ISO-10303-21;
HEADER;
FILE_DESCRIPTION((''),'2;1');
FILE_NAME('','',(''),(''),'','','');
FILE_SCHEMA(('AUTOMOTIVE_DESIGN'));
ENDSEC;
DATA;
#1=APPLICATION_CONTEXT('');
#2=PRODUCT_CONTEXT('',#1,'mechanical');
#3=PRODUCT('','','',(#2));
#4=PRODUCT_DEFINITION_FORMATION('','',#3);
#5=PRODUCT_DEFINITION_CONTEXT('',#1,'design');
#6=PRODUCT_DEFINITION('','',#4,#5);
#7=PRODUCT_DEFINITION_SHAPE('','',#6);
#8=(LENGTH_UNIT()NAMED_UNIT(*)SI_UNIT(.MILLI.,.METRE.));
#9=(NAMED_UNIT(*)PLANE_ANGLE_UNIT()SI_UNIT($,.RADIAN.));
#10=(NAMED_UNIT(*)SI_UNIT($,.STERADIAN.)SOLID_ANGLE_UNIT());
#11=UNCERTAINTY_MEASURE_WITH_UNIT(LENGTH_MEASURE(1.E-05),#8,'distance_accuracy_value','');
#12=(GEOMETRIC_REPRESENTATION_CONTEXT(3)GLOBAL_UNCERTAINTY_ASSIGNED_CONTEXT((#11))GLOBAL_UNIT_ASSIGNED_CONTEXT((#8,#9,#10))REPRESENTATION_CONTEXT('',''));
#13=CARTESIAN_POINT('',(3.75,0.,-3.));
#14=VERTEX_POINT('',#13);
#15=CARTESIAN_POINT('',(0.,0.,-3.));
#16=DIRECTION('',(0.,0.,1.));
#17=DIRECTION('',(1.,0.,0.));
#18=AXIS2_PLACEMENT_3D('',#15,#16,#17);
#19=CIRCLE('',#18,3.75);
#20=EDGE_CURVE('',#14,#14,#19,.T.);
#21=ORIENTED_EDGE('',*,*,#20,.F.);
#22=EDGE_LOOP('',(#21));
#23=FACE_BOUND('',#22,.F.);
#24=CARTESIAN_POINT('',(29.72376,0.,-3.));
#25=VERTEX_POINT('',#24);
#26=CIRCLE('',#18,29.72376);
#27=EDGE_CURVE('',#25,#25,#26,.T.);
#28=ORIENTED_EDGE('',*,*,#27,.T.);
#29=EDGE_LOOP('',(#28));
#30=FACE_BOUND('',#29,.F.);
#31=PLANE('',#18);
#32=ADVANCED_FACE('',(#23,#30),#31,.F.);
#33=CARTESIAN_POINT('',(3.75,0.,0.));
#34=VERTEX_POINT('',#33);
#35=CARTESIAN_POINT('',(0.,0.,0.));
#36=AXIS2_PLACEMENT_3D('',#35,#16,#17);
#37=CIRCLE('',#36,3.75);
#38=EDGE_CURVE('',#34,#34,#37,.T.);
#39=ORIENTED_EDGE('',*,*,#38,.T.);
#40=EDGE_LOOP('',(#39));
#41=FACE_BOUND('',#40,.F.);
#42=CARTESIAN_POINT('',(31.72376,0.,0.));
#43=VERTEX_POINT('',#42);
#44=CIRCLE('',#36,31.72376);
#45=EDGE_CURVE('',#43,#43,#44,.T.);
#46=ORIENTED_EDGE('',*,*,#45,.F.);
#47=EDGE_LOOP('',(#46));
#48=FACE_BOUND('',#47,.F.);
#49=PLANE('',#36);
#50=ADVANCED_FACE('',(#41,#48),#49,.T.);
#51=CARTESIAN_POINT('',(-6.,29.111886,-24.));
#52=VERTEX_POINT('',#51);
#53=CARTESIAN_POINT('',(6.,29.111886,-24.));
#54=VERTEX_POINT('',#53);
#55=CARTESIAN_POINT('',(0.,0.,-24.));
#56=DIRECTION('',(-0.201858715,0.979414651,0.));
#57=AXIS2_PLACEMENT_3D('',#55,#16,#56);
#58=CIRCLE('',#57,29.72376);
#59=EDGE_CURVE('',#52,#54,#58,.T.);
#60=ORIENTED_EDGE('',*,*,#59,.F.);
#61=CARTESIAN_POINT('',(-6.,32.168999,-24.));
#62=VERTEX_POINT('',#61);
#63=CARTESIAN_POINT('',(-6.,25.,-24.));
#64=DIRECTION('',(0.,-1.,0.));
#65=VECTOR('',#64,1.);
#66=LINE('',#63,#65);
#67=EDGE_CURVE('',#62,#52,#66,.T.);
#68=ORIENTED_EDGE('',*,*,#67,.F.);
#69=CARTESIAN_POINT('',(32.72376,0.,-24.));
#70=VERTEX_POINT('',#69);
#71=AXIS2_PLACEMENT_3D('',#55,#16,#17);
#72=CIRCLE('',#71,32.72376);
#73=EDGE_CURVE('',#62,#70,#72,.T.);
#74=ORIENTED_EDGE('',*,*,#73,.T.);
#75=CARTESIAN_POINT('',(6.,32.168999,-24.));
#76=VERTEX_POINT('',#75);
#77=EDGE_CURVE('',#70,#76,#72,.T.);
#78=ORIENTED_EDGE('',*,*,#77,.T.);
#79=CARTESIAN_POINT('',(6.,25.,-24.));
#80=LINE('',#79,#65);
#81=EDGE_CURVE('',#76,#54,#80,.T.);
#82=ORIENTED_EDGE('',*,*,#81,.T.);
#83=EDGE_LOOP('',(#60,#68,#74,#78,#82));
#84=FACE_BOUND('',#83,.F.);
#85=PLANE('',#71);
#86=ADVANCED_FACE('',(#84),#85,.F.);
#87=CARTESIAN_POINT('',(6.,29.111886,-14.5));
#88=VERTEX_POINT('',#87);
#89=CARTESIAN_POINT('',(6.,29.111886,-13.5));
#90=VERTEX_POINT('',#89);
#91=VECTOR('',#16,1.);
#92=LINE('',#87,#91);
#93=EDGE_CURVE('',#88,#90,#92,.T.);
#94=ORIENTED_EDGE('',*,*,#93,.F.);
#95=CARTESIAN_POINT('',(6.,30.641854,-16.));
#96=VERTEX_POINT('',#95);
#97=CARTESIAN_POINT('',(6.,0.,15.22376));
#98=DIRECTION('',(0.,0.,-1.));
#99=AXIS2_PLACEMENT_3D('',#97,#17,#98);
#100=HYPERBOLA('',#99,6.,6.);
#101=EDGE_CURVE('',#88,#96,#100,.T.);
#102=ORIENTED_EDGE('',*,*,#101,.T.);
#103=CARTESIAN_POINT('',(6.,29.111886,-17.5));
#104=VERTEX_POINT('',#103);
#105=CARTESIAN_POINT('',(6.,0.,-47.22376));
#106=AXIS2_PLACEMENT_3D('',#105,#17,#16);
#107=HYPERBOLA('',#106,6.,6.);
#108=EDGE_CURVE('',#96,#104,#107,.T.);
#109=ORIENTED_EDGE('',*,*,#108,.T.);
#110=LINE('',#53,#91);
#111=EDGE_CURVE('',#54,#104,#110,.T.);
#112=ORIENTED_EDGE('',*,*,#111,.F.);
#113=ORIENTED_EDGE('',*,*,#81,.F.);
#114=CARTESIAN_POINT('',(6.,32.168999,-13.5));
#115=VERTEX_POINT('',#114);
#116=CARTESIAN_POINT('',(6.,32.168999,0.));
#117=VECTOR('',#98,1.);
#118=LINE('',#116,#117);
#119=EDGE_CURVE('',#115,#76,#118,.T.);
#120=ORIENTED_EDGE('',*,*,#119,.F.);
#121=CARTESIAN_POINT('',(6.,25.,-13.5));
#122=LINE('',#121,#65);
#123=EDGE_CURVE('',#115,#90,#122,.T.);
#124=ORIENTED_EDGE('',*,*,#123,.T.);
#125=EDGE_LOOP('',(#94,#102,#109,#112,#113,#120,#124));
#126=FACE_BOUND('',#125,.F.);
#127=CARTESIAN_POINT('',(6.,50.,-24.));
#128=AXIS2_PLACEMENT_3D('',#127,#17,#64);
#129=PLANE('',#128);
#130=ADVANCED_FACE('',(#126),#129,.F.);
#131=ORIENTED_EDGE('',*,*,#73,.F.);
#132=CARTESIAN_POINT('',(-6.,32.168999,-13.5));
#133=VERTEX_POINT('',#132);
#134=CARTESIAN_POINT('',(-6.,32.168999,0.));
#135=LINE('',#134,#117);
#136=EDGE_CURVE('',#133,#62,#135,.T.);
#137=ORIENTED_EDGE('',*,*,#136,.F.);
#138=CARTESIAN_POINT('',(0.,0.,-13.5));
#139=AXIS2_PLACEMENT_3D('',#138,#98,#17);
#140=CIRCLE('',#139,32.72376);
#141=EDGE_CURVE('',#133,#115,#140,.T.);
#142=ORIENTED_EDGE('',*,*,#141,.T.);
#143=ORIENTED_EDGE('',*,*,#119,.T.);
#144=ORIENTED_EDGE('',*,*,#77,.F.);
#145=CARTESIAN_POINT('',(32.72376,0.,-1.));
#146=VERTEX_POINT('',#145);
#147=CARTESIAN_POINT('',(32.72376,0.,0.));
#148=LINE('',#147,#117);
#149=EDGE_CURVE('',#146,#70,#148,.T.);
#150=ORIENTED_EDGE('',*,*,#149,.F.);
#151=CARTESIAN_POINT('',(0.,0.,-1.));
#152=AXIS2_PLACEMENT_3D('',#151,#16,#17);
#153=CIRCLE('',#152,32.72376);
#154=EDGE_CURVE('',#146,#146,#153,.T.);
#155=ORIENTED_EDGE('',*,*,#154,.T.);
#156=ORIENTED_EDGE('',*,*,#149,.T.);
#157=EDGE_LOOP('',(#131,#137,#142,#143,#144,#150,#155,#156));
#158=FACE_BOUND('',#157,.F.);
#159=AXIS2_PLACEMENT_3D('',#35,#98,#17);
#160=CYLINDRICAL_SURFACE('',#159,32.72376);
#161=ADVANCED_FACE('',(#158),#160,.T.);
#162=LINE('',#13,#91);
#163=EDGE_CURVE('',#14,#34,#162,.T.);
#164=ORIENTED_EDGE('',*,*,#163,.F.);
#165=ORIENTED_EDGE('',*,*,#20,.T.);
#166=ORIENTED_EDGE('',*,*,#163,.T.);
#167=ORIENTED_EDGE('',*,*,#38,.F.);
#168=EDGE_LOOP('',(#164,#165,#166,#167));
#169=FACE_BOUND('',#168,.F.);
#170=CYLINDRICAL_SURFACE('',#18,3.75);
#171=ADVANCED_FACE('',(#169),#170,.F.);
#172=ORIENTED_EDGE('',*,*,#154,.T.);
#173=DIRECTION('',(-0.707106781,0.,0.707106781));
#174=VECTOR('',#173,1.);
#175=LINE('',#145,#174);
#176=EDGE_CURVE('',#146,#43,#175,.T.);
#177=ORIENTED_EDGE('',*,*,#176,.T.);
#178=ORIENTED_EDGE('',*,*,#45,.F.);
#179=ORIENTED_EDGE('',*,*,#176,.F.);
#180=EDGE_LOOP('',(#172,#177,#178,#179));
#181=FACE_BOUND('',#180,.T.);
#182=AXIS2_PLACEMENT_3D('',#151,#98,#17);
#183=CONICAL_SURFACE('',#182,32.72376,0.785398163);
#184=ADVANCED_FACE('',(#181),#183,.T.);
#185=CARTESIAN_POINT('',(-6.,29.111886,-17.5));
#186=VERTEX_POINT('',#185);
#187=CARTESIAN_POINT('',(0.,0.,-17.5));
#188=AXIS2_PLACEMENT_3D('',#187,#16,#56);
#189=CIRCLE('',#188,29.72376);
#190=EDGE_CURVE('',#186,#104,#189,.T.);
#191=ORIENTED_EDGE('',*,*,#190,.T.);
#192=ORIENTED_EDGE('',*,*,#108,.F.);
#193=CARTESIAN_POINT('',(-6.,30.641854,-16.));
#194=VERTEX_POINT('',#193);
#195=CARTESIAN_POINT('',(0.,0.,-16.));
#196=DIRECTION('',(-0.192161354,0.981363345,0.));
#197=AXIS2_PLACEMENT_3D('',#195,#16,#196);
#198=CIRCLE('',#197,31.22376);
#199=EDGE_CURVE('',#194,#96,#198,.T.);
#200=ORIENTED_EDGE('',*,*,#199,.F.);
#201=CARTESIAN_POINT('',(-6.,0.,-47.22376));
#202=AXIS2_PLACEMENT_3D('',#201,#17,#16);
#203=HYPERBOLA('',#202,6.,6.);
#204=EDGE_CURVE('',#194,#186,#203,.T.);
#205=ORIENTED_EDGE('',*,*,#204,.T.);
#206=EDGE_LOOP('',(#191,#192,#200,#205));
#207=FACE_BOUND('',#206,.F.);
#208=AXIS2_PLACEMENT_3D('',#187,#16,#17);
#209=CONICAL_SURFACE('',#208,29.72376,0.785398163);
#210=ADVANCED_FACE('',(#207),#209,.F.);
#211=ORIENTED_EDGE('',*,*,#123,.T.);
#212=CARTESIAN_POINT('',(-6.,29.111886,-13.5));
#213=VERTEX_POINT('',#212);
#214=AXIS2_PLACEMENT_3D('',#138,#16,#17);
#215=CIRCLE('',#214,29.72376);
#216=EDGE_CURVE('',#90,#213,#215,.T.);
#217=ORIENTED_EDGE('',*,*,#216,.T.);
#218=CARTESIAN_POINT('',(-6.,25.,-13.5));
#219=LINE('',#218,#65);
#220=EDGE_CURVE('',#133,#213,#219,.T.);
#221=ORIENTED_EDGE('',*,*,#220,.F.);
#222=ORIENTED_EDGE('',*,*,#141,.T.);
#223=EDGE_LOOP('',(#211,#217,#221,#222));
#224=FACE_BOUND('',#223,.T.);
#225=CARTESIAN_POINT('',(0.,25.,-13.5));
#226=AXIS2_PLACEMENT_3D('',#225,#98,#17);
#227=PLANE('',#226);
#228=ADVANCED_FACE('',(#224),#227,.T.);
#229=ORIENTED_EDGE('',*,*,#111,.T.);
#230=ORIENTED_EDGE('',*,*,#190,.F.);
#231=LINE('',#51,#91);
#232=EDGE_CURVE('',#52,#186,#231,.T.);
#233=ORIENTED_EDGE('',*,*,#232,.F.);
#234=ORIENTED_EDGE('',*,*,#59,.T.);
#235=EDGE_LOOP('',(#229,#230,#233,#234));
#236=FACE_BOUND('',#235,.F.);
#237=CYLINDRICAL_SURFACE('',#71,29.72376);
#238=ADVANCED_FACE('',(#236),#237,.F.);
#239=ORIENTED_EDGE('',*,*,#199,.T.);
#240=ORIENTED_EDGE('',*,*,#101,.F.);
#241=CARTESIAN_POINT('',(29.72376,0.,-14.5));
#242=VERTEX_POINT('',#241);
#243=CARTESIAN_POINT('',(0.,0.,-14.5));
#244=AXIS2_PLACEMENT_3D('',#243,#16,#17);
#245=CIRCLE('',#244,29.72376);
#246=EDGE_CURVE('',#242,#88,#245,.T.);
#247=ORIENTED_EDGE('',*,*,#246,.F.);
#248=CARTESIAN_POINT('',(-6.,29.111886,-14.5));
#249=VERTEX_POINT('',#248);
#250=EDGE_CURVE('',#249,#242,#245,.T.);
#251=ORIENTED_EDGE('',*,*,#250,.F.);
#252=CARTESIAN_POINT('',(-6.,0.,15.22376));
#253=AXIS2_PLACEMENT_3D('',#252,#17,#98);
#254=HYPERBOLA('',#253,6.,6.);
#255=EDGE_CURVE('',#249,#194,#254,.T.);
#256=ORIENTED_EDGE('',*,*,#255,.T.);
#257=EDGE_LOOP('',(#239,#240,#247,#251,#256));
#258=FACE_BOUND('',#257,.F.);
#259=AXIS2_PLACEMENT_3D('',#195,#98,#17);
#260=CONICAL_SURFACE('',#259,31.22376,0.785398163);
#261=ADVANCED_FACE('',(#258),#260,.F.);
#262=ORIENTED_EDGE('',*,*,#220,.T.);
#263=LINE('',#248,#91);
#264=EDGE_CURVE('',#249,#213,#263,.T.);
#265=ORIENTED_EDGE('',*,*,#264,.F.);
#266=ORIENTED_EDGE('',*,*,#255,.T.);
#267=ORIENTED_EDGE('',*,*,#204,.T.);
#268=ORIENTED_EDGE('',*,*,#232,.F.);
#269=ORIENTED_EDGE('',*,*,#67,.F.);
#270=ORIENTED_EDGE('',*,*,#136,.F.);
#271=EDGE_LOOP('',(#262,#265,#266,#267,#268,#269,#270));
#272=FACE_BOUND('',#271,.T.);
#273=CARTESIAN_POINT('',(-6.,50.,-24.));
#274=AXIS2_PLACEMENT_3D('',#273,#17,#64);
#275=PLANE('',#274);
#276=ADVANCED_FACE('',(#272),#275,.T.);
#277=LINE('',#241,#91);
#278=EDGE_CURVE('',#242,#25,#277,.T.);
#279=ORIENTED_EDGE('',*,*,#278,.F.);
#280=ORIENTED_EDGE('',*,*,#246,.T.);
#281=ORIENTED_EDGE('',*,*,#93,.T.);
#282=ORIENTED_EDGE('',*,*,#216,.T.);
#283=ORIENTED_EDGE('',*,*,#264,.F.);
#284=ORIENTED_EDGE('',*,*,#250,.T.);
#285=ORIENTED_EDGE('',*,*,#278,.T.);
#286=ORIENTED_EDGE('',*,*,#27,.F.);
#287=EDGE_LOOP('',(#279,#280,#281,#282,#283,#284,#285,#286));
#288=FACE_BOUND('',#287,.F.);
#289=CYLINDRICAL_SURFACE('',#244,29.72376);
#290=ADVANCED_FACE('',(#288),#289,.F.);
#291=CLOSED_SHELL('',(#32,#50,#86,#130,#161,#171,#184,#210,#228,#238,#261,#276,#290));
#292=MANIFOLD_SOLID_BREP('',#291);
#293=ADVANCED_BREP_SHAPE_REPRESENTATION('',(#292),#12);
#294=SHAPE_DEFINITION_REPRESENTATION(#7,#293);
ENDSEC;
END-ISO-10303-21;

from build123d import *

# Parameters (mm, degrees)
CHAMFER_SIZE    = 1
SKETCH003_W     = 12
SKETCH003_H     = 50
POCKET001_DEPTH = 10.5


with BuildPart() as part:
    # Sketch002 → Revolution (revolve)
    with BuildSketch(Plane.XZ):
        Polygon((32.72376, 0), (32.72376, -24), (29.72376, -24), (29.72376, -17.5), (31.22376, -16), (29.72376, -14.5), (29.72376, -3), (3.75, -3), (3.75, 0), align=None)
    revolve(axis=Axis((0, 0, 0), (0, 0, 1)))

    # Chamfer
    chamfer_edges = [part.edges().sort_by_distance(p)[0] for p in [
        (-32.72376, 0, 0),
    ]]
    chamfer(chamfer_edges, length=CHAMFER_SIZE)

    # Sketch003 (on Face6 of Chamfer) → Pocket001 (cut)
    with BuildSketch(Plane(origin=(0, 0, -24), x_dir=(1, 0, 0), z_dir=(0, 0, -1))):
        with Locations((0, -25)):
            Rectangle(SKETCH003_W, SKETCH003_H)
    extrude(amount=-POCKET001_DEPTH, mode=Mode.SUBTRACT)


solid = part.part
